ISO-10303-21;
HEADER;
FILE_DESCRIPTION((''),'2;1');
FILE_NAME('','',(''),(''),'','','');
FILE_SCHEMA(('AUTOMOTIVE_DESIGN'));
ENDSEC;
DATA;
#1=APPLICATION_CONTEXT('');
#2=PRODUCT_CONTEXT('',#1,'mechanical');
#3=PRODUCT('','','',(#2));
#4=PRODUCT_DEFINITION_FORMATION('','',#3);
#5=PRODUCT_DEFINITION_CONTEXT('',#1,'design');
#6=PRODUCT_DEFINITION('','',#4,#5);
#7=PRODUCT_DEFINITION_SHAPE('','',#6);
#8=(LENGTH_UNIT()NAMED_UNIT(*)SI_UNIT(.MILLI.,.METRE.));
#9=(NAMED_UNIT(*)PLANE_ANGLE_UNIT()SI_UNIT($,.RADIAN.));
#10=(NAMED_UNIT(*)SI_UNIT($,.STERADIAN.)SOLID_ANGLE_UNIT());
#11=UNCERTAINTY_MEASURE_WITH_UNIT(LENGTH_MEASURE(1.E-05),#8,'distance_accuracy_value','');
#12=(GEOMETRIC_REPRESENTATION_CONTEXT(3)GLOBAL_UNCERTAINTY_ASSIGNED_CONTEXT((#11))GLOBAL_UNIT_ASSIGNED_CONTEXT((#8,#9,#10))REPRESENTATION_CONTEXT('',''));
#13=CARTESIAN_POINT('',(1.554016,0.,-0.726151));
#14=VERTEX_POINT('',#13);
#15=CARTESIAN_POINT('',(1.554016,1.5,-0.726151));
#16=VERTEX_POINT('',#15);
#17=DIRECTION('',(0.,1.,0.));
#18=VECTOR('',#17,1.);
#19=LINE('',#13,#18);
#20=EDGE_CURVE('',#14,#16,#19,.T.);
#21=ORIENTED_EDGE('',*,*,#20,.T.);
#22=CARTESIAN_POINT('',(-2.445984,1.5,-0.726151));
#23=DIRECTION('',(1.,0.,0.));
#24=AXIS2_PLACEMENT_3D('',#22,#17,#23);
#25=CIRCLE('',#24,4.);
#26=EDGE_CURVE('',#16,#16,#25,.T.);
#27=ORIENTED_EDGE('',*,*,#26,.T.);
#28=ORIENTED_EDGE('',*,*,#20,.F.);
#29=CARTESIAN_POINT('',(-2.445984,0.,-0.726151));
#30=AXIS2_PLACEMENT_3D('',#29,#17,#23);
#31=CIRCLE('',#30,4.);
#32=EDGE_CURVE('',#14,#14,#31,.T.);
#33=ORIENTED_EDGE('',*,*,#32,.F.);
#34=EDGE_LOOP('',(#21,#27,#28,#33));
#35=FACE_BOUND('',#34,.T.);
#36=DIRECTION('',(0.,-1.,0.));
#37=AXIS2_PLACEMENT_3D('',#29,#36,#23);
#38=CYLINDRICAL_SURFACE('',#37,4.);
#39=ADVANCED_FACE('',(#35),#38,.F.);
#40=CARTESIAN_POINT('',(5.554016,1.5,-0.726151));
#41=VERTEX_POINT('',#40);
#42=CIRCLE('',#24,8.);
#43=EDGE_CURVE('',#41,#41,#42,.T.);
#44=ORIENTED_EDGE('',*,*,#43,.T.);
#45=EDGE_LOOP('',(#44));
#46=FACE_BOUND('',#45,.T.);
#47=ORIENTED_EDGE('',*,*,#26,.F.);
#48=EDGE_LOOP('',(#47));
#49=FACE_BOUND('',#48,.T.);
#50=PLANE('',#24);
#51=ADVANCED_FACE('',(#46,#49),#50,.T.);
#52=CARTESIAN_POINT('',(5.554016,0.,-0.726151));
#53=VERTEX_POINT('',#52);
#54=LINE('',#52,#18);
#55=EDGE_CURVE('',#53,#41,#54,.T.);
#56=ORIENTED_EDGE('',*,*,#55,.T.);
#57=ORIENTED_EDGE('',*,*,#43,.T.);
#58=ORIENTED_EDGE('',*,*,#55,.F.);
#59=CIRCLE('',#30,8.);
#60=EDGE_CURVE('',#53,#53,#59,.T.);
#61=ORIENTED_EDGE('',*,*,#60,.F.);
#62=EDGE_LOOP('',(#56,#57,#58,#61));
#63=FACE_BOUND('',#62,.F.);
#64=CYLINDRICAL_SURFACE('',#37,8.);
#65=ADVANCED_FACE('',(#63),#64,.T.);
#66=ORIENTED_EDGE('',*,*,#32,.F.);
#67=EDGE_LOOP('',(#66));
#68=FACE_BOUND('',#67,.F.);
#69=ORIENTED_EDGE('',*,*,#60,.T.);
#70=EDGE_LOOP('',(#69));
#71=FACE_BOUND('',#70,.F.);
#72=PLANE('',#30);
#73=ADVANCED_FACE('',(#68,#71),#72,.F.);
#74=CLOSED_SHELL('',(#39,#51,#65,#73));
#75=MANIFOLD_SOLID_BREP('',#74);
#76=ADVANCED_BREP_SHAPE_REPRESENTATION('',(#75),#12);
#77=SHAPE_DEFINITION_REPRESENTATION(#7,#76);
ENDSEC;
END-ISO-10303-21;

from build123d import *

# Parameters (mm, degrees)
SKETCH_1_R      = 8
SKETCH_1_R_2    = 4
EXTRUDE_1_DEPTH = 1.5


with BuildPart() as part:
    # 草图1 → 凸台-拉伸1 (new body)
    with BuildSketch(Plane(origin=(0, 0, 0), x_dir=(1, 0, 0), z_dir=(0, 1, 0))):
        with Locations((-2.445983916, 0.726151475)):
            Circle(SKETCH_1_R)
        with Locations((-2.445983916, 0.726151475)):
            Circle(SKETCH_1_R_2, mode=Mode.SUBTRACT)
    extrude(amount=EXTRUDE_1_DEPTH)


solid = part.part
